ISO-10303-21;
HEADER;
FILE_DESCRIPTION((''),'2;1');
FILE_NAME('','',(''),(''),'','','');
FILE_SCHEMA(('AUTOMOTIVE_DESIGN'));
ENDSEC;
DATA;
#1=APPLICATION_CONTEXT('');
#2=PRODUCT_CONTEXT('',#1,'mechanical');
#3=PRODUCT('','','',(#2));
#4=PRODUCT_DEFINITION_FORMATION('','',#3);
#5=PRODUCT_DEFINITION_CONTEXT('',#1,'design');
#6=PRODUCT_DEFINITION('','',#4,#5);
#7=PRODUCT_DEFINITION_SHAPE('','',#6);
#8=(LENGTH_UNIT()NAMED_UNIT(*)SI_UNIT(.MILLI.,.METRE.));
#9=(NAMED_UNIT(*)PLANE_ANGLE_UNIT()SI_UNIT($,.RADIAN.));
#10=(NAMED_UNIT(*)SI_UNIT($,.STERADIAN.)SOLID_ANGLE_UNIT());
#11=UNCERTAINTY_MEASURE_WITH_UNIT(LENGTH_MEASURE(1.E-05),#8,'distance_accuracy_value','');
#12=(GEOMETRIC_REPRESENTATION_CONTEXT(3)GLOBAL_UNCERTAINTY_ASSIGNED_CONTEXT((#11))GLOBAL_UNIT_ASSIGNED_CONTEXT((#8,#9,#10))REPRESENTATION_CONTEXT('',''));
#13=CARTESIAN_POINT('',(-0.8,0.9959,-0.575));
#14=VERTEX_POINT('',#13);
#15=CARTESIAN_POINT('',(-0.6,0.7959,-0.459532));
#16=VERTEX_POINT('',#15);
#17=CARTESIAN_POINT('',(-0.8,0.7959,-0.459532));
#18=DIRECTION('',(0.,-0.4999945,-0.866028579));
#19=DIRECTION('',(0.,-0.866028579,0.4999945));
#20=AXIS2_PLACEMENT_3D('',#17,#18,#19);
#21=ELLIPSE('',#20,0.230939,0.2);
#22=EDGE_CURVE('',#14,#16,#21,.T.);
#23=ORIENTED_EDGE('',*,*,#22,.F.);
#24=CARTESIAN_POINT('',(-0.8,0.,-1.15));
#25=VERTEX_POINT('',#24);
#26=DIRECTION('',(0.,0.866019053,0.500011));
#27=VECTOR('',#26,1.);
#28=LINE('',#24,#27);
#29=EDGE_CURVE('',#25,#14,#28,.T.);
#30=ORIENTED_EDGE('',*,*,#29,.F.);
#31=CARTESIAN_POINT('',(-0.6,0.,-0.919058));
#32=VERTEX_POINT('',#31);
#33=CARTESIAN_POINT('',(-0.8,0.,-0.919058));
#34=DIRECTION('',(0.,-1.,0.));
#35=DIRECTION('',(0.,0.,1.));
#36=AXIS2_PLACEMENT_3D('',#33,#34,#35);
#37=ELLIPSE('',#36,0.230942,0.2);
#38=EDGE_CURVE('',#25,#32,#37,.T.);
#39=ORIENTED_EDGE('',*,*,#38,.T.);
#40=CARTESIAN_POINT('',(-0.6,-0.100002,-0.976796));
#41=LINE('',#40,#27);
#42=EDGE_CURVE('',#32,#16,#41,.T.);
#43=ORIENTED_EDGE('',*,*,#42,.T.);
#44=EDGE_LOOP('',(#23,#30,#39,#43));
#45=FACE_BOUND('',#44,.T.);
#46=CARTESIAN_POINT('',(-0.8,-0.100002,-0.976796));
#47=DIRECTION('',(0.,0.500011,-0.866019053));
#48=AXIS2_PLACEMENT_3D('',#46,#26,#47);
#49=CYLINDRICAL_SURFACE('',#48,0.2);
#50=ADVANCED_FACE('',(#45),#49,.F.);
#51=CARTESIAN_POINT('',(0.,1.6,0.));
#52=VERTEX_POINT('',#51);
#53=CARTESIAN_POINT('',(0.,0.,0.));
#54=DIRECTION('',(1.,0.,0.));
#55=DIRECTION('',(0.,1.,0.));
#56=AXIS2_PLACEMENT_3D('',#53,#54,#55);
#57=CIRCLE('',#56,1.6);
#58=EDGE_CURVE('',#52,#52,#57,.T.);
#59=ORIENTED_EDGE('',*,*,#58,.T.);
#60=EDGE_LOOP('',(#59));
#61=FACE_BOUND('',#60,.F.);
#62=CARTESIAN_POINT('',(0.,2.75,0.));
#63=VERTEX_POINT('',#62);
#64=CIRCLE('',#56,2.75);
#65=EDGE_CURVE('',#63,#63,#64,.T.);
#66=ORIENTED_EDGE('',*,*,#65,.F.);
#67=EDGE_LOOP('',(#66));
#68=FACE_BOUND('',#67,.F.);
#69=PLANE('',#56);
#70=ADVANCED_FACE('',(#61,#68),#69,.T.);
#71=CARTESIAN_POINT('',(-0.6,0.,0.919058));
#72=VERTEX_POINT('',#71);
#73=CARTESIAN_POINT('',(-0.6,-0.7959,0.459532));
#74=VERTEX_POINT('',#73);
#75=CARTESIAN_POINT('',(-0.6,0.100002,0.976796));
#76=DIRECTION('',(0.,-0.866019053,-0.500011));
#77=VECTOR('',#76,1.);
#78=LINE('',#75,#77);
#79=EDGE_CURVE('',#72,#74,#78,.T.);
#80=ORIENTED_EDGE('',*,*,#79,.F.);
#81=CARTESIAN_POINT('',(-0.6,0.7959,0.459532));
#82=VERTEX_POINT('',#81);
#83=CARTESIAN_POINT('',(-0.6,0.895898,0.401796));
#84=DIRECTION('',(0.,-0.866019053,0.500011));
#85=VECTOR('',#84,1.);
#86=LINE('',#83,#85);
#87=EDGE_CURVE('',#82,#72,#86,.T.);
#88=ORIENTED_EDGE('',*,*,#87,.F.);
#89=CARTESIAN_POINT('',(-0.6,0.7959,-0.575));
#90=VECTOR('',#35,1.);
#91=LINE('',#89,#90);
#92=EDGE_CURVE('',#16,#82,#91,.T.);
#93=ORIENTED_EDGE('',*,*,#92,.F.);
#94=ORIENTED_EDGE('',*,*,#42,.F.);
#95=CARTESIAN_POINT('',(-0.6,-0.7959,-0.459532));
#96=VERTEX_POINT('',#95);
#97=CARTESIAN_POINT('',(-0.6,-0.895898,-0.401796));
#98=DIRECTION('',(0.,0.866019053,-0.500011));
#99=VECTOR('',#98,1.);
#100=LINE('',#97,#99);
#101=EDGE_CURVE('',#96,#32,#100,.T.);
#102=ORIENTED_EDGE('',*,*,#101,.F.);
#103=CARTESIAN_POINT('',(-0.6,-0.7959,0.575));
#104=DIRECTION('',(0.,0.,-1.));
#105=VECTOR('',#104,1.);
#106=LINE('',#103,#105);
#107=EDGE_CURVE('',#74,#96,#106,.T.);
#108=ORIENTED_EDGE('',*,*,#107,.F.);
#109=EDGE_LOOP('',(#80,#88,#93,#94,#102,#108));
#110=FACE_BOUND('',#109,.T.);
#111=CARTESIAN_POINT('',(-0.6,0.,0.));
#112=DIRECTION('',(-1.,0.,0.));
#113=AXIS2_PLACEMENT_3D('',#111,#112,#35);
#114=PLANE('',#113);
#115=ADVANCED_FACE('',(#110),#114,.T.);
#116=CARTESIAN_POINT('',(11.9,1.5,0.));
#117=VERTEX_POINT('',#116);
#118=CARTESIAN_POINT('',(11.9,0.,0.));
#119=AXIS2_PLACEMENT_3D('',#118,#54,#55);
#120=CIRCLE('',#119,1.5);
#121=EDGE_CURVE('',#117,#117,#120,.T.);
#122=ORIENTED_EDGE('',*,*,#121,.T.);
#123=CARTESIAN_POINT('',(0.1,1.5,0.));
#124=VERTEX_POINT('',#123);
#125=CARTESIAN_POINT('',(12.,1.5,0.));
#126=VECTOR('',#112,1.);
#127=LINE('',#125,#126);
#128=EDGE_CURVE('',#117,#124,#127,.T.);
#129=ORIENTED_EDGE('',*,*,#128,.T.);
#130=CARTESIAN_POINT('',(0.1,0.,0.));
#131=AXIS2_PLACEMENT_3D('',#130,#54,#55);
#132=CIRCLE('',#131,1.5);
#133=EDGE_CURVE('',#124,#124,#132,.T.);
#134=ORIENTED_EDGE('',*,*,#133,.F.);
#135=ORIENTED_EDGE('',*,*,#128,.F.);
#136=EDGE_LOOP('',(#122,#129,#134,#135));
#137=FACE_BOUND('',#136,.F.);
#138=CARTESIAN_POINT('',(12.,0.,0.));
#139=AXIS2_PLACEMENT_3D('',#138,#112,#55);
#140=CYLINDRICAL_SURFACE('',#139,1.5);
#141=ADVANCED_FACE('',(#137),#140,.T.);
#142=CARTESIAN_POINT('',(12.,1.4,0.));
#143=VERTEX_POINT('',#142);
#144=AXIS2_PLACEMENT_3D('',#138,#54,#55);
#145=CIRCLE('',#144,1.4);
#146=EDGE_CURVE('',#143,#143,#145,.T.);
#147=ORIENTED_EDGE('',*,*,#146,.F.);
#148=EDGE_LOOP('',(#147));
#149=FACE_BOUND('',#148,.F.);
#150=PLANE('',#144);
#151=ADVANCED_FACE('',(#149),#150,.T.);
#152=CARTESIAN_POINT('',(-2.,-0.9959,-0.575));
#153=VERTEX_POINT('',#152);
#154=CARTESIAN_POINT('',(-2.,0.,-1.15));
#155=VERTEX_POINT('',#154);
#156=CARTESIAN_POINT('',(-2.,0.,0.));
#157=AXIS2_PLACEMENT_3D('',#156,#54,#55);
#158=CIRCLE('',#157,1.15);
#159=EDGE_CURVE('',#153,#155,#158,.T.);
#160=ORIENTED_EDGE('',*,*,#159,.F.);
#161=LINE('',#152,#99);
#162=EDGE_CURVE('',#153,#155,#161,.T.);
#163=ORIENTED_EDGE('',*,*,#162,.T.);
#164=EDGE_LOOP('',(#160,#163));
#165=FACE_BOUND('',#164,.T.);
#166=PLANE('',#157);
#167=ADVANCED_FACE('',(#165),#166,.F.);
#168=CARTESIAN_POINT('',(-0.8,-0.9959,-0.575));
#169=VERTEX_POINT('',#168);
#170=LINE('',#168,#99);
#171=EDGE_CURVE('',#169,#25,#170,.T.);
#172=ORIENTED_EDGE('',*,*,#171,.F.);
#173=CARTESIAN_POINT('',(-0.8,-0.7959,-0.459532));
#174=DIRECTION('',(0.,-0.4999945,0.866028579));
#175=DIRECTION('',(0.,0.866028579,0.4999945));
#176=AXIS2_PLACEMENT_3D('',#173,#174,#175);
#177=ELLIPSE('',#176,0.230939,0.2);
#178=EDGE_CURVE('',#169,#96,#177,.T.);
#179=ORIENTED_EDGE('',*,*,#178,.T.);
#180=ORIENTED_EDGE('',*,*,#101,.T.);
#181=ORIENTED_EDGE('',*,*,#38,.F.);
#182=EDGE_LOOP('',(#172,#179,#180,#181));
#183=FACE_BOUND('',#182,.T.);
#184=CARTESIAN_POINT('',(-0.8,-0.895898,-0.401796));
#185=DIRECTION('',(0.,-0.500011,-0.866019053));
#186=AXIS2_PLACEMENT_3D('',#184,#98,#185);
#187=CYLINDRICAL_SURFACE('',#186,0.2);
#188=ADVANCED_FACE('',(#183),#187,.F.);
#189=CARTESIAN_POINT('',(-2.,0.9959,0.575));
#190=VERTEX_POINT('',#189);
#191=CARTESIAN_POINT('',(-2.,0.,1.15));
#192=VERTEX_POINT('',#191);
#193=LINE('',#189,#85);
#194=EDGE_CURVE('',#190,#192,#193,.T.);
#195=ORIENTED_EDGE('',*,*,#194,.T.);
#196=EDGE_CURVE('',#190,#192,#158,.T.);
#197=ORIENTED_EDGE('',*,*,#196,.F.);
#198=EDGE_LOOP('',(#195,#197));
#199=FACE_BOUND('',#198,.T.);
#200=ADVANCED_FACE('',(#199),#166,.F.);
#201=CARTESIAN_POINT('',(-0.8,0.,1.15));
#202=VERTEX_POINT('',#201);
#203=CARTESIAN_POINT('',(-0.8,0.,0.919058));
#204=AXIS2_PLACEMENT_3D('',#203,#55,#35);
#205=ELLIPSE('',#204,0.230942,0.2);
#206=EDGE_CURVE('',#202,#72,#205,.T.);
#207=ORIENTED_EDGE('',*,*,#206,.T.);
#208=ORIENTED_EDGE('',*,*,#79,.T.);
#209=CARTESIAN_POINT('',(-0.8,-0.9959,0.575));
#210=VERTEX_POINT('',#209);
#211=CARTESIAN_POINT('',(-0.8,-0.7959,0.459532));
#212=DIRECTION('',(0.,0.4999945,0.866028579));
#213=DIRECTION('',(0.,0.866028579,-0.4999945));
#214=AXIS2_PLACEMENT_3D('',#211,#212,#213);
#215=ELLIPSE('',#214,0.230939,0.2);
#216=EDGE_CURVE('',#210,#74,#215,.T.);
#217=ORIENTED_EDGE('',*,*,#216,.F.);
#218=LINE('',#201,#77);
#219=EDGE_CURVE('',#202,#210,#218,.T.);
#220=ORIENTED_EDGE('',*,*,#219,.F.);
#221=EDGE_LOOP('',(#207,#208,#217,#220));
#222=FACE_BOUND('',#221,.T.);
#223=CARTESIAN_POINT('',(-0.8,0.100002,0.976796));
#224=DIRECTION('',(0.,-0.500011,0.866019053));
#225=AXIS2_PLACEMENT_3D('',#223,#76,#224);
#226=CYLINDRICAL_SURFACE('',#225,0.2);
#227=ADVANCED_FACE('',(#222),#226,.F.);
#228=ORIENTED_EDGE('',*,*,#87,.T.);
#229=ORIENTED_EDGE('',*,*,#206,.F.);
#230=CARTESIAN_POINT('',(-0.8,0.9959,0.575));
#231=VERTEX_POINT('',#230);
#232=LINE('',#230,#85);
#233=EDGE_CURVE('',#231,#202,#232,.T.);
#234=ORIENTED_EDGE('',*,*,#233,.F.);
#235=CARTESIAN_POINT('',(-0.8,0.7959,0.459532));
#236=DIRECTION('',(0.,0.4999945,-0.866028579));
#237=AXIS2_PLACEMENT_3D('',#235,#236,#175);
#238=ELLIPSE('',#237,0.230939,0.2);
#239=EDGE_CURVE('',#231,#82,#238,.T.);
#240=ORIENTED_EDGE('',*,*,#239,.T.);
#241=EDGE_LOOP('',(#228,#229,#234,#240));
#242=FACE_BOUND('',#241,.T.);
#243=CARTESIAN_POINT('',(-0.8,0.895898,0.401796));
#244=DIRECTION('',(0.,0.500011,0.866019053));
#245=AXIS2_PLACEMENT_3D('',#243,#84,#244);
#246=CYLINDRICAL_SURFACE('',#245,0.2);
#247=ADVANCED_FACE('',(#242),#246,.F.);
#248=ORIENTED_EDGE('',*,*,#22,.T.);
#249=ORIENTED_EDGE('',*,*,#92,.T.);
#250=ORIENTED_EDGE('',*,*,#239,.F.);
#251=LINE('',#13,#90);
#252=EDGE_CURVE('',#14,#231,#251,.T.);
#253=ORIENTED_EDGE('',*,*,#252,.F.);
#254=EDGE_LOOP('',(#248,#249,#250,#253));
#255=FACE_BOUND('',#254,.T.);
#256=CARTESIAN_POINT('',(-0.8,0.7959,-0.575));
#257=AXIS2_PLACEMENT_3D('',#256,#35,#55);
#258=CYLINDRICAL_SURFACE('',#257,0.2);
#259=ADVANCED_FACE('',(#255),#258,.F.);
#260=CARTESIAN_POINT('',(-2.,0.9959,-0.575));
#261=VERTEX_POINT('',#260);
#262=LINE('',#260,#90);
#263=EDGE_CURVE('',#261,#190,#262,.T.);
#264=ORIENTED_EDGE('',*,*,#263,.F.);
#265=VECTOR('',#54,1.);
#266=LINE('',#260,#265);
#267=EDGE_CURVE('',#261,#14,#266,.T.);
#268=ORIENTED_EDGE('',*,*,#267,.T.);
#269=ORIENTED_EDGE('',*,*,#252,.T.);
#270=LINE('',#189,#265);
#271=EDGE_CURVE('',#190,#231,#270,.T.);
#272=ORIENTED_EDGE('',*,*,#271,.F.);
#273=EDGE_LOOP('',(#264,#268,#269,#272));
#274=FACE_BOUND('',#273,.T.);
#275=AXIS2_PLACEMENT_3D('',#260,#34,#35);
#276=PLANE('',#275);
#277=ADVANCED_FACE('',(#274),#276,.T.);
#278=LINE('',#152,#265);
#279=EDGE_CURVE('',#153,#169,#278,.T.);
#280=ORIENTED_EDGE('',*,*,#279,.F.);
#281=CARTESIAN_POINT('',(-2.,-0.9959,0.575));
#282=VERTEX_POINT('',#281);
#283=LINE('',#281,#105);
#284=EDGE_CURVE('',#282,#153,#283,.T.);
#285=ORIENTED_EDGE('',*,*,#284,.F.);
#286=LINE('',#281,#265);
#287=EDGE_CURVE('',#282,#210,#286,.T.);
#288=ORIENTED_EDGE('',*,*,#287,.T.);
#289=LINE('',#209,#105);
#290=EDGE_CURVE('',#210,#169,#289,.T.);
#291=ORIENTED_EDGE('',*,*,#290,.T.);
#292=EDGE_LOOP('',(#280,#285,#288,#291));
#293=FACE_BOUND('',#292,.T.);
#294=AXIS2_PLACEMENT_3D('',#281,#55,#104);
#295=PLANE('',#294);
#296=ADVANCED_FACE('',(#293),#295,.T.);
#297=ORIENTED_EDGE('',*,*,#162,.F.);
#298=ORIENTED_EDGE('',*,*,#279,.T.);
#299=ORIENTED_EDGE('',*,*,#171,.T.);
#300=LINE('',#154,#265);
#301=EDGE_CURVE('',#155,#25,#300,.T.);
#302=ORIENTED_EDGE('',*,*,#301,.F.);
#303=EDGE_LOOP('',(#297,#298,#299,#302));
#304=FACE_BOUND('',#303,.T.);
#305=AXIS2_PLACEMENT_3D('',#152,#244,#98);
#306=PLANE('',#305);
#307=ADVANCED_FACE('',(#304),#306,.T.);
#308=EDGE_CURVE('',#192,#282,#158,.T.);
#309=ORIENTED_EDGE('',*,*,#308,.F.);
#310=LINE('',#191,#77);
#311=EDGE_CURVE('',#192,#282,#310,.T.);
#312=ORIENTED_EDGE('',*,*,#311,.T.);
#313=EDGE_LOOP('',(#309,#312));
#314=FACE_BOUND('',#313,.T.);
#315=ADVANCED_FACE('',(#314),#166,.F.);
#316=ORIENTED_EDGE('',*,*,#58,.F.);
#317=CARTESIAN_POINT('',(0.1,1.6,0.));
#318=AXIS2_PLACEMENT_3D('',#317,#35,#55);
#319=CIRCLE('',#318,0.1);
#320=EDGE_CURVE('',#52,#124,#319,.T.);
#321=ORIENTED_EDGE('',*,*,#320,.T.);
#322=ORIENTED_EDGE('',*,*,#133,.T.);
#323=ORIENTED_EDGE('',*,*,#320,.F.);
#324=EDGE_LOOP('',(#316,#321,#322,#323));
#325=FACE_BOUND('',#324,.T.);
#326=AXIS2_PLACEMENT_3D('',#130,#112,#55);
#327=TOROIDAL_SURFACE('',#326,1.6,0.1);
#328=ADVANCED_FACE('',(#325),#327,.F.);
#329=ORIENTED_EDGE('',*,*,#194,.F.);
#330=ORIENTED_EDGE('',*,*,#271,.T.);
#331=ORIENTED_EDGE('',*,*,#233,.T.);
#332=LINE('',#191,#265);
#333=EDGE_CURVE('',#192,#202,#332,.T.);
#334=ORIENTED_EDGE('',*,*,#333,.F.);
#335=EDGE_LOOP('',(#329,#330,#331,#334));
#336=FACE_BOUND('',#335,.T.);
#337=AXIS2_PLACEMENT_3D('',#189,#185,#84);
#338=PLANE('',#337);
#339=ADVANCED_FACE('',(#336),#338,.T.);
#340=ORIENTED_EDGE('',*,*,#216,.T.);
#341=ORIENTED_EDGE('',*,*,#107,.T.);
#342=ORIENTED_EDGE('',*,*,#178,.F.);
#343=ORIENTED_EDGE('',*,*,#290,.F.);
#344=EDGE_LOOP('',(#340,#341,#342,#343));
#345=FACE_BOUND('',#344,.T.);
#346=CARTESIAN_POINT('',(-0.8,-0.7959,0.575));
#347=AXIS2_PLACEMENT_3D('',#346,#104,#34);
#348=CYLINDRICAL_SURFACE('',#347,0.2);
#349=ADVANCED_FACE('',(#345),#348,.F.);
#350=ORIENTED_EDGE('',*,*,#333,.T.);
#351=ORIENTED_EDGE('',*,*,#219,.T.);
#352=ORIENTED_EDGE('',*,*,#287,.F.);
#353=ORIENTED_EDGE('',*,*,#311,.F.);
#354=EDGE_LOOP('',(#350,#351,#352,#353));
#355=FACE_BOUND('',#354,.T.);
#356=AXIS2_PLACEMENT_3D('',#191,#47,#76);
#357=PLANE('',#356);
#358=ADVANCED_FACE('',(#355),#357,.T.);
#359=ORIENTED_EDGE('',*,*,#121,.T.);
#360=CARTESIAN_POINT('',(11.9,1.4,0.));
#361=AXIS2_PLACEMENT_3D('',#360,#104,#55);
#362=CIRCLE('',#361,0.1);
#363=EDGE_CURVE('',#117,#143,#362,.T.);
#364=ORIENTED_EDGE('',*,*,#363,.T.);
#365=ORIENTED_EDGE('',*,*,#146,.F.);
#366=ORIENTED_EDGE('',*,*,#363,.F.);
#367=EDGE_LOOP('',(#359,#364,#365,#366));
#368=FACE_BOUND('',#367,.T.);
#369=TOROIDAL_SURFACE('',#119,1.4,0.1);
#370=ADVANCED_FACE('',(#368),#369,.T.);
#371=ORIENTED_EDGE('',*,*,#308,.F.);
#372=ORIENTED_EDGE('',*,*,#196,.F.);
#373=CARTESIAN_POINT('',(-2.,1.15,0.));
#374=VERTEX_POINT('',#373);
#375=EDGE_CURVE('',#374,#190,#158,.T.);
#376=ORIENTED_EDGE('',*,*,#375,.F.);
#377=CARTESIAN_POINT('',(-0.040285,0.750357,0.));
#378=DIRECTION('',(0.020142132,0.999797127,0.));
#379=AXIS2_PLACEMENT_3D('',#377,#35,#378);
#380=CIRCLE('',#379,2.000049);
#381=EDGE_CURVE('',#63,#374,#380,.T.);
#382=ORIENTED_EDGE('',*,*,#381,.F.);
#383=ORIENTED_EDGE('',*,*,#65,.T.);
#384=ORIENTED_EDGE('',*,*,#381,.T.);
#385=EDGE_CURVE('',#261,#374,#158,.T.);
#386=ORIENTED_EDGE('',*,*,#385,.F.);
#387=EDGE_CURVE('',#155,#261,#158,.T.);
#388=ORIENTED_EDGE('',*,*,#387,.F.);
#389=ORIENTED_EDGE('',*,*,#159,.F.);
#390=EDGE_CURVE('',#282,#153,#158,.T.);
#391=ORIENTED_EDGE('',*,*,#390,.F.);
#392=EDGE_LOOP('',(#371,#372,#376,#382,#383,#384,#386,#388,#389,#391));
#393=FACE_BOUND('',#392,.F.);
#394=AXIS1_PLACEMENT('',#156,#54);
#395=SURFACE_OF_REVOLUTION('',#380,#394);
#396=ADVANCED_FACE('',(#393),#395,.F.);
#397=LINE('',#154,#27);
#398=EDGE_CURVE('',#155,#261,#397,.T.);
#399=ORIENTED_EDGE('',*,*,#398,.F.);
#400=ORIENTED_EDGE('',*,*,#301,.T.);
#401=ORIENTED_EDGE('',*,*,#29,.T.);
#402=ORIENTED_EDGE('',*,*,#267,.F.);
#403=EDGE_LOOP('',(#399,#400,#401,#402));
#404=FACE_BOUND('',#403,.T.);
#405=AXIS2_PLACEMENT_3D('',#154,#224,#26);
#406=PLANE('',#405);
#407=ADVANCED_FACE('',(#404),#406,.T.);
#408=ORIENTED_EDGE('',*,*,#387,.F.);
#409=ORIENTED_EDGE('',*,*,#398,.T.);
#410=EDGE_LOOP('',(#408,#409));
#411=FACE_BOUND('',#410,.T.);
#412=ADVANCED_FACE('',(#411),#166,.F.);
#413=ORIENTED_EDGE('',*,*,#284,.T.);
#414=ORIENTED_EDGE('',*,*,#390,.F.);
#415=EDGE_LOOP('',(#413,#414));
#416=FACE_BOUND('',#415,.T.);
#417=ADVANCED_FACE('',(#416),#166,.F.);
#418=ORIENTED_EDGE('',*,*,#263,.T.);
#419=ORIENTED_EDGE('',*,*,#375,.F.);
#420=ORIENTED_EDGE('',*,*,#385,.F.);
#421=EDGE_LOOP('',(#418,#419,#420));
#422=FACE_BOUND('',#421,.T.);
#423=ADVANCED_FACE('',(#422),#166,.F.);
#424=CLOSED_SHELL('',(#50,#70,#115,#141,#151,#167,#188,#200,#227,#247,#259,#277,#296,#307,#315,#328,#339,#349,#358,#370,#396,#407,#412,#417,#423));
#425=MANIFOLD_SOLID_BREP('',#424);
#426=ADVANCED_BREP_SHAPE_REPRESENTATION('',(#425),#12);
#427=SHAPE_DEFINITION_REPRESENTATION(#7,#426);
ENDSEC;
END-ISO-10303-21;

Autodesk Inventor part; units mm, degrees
ref_plane "YZ Plane" through (0, 0, 0) normal (1, 0, 0) x (0, 1, 0)
ref_plane "XZ Plane" through (0, 0, 0) normal (0, 1, 0) x (-1, 0, 0)
ref_plane "XY Plane" through (0, 0, 0) normal (0, 0, 1) x (1, 0, 0)
sketch "スケッチ1" plane through (0, 0, 0) normal (0, 0, 1) x (1, 0, 0)
  line L0 (0, 0) -> (12, 0)
  line L1 (12, 0) -> (12, 1.5)
  line L2 (12, 1.5) -> (0, 1.5)
  line L3 (0, 1.5) -> (0, 0)
  line L4 (0, 0) -> (0, 2.75)
  line L5 (0, 0) -> (-2, 0)
  line L6 (-2, 0) -> (0, 0)
  line L7 (-2, 0) -> (-2, 1.15)
  arc A0 (0, 2.75) -> (-2, 1.15) centre (-0.0403, 0.7504) ccw
  dimension "d0" = 1.5
  dimension "d1" = 12
  dimension "d3" = 2
  dimension "d4" = 2.75
  dimension "d5" = 1.15
  dimension "d6" = 2
revolve "回転1" add sketch "スケッチ1" angle 360 about axis through (-2, 0, 0) along (1, 0, 0)
thread "ねじ1" size "M3x0.5" class "6g" standard "ANSI Metric M Profile" length 100
sketch "スケッチ2" plane through (-2, 0, 0) normal (-1, 0, 0) x (0, 0, 1)
  circle A0 centre (0, 0) radius 1.15 projected
  line L0 (-0.575, 0.9959) -> (0.575, 0.9959)
  line L1 (0.575, 0.9959) -> (1.15, 0)
  line L2 (1.15, 0) -> (0.575, -0.9959)
  line L3 (0.575, -0.9959) -> (-0.575, -0.9959)
  line L4 (-0.575, -0.9959) -> (-1.15, 0)
  line L5 (-1.15, 0) -> (-0.575, 0.9959)
  dimension "d10" = 1.15
  dimension "d11" = 1.9919
extrude "押し出し1" cut sketch "スケッチ2" against normal blind 1.4 contours L2 L3 L4 L5 L0 L1
fillet "フィレット1" radius 0.2 6 edges at (-0.6, 0.9959, 0) (-0.6, 0.498, 0.8625) (-0.6, 0.498, -0.8625) (-0.6, -0.498, -0.8625) (-0.6, -0.9959, 0) (-0.6, -0.498, 0.8625)
fillet "フィレット2" radius 0.1 1 edges at (0, -1.5, 0)
fillet "フィレット3" radius 0.1 1 edges at (12, -1.5, 0)
properties part number "ネジボタンM3L12" material "鋼"
